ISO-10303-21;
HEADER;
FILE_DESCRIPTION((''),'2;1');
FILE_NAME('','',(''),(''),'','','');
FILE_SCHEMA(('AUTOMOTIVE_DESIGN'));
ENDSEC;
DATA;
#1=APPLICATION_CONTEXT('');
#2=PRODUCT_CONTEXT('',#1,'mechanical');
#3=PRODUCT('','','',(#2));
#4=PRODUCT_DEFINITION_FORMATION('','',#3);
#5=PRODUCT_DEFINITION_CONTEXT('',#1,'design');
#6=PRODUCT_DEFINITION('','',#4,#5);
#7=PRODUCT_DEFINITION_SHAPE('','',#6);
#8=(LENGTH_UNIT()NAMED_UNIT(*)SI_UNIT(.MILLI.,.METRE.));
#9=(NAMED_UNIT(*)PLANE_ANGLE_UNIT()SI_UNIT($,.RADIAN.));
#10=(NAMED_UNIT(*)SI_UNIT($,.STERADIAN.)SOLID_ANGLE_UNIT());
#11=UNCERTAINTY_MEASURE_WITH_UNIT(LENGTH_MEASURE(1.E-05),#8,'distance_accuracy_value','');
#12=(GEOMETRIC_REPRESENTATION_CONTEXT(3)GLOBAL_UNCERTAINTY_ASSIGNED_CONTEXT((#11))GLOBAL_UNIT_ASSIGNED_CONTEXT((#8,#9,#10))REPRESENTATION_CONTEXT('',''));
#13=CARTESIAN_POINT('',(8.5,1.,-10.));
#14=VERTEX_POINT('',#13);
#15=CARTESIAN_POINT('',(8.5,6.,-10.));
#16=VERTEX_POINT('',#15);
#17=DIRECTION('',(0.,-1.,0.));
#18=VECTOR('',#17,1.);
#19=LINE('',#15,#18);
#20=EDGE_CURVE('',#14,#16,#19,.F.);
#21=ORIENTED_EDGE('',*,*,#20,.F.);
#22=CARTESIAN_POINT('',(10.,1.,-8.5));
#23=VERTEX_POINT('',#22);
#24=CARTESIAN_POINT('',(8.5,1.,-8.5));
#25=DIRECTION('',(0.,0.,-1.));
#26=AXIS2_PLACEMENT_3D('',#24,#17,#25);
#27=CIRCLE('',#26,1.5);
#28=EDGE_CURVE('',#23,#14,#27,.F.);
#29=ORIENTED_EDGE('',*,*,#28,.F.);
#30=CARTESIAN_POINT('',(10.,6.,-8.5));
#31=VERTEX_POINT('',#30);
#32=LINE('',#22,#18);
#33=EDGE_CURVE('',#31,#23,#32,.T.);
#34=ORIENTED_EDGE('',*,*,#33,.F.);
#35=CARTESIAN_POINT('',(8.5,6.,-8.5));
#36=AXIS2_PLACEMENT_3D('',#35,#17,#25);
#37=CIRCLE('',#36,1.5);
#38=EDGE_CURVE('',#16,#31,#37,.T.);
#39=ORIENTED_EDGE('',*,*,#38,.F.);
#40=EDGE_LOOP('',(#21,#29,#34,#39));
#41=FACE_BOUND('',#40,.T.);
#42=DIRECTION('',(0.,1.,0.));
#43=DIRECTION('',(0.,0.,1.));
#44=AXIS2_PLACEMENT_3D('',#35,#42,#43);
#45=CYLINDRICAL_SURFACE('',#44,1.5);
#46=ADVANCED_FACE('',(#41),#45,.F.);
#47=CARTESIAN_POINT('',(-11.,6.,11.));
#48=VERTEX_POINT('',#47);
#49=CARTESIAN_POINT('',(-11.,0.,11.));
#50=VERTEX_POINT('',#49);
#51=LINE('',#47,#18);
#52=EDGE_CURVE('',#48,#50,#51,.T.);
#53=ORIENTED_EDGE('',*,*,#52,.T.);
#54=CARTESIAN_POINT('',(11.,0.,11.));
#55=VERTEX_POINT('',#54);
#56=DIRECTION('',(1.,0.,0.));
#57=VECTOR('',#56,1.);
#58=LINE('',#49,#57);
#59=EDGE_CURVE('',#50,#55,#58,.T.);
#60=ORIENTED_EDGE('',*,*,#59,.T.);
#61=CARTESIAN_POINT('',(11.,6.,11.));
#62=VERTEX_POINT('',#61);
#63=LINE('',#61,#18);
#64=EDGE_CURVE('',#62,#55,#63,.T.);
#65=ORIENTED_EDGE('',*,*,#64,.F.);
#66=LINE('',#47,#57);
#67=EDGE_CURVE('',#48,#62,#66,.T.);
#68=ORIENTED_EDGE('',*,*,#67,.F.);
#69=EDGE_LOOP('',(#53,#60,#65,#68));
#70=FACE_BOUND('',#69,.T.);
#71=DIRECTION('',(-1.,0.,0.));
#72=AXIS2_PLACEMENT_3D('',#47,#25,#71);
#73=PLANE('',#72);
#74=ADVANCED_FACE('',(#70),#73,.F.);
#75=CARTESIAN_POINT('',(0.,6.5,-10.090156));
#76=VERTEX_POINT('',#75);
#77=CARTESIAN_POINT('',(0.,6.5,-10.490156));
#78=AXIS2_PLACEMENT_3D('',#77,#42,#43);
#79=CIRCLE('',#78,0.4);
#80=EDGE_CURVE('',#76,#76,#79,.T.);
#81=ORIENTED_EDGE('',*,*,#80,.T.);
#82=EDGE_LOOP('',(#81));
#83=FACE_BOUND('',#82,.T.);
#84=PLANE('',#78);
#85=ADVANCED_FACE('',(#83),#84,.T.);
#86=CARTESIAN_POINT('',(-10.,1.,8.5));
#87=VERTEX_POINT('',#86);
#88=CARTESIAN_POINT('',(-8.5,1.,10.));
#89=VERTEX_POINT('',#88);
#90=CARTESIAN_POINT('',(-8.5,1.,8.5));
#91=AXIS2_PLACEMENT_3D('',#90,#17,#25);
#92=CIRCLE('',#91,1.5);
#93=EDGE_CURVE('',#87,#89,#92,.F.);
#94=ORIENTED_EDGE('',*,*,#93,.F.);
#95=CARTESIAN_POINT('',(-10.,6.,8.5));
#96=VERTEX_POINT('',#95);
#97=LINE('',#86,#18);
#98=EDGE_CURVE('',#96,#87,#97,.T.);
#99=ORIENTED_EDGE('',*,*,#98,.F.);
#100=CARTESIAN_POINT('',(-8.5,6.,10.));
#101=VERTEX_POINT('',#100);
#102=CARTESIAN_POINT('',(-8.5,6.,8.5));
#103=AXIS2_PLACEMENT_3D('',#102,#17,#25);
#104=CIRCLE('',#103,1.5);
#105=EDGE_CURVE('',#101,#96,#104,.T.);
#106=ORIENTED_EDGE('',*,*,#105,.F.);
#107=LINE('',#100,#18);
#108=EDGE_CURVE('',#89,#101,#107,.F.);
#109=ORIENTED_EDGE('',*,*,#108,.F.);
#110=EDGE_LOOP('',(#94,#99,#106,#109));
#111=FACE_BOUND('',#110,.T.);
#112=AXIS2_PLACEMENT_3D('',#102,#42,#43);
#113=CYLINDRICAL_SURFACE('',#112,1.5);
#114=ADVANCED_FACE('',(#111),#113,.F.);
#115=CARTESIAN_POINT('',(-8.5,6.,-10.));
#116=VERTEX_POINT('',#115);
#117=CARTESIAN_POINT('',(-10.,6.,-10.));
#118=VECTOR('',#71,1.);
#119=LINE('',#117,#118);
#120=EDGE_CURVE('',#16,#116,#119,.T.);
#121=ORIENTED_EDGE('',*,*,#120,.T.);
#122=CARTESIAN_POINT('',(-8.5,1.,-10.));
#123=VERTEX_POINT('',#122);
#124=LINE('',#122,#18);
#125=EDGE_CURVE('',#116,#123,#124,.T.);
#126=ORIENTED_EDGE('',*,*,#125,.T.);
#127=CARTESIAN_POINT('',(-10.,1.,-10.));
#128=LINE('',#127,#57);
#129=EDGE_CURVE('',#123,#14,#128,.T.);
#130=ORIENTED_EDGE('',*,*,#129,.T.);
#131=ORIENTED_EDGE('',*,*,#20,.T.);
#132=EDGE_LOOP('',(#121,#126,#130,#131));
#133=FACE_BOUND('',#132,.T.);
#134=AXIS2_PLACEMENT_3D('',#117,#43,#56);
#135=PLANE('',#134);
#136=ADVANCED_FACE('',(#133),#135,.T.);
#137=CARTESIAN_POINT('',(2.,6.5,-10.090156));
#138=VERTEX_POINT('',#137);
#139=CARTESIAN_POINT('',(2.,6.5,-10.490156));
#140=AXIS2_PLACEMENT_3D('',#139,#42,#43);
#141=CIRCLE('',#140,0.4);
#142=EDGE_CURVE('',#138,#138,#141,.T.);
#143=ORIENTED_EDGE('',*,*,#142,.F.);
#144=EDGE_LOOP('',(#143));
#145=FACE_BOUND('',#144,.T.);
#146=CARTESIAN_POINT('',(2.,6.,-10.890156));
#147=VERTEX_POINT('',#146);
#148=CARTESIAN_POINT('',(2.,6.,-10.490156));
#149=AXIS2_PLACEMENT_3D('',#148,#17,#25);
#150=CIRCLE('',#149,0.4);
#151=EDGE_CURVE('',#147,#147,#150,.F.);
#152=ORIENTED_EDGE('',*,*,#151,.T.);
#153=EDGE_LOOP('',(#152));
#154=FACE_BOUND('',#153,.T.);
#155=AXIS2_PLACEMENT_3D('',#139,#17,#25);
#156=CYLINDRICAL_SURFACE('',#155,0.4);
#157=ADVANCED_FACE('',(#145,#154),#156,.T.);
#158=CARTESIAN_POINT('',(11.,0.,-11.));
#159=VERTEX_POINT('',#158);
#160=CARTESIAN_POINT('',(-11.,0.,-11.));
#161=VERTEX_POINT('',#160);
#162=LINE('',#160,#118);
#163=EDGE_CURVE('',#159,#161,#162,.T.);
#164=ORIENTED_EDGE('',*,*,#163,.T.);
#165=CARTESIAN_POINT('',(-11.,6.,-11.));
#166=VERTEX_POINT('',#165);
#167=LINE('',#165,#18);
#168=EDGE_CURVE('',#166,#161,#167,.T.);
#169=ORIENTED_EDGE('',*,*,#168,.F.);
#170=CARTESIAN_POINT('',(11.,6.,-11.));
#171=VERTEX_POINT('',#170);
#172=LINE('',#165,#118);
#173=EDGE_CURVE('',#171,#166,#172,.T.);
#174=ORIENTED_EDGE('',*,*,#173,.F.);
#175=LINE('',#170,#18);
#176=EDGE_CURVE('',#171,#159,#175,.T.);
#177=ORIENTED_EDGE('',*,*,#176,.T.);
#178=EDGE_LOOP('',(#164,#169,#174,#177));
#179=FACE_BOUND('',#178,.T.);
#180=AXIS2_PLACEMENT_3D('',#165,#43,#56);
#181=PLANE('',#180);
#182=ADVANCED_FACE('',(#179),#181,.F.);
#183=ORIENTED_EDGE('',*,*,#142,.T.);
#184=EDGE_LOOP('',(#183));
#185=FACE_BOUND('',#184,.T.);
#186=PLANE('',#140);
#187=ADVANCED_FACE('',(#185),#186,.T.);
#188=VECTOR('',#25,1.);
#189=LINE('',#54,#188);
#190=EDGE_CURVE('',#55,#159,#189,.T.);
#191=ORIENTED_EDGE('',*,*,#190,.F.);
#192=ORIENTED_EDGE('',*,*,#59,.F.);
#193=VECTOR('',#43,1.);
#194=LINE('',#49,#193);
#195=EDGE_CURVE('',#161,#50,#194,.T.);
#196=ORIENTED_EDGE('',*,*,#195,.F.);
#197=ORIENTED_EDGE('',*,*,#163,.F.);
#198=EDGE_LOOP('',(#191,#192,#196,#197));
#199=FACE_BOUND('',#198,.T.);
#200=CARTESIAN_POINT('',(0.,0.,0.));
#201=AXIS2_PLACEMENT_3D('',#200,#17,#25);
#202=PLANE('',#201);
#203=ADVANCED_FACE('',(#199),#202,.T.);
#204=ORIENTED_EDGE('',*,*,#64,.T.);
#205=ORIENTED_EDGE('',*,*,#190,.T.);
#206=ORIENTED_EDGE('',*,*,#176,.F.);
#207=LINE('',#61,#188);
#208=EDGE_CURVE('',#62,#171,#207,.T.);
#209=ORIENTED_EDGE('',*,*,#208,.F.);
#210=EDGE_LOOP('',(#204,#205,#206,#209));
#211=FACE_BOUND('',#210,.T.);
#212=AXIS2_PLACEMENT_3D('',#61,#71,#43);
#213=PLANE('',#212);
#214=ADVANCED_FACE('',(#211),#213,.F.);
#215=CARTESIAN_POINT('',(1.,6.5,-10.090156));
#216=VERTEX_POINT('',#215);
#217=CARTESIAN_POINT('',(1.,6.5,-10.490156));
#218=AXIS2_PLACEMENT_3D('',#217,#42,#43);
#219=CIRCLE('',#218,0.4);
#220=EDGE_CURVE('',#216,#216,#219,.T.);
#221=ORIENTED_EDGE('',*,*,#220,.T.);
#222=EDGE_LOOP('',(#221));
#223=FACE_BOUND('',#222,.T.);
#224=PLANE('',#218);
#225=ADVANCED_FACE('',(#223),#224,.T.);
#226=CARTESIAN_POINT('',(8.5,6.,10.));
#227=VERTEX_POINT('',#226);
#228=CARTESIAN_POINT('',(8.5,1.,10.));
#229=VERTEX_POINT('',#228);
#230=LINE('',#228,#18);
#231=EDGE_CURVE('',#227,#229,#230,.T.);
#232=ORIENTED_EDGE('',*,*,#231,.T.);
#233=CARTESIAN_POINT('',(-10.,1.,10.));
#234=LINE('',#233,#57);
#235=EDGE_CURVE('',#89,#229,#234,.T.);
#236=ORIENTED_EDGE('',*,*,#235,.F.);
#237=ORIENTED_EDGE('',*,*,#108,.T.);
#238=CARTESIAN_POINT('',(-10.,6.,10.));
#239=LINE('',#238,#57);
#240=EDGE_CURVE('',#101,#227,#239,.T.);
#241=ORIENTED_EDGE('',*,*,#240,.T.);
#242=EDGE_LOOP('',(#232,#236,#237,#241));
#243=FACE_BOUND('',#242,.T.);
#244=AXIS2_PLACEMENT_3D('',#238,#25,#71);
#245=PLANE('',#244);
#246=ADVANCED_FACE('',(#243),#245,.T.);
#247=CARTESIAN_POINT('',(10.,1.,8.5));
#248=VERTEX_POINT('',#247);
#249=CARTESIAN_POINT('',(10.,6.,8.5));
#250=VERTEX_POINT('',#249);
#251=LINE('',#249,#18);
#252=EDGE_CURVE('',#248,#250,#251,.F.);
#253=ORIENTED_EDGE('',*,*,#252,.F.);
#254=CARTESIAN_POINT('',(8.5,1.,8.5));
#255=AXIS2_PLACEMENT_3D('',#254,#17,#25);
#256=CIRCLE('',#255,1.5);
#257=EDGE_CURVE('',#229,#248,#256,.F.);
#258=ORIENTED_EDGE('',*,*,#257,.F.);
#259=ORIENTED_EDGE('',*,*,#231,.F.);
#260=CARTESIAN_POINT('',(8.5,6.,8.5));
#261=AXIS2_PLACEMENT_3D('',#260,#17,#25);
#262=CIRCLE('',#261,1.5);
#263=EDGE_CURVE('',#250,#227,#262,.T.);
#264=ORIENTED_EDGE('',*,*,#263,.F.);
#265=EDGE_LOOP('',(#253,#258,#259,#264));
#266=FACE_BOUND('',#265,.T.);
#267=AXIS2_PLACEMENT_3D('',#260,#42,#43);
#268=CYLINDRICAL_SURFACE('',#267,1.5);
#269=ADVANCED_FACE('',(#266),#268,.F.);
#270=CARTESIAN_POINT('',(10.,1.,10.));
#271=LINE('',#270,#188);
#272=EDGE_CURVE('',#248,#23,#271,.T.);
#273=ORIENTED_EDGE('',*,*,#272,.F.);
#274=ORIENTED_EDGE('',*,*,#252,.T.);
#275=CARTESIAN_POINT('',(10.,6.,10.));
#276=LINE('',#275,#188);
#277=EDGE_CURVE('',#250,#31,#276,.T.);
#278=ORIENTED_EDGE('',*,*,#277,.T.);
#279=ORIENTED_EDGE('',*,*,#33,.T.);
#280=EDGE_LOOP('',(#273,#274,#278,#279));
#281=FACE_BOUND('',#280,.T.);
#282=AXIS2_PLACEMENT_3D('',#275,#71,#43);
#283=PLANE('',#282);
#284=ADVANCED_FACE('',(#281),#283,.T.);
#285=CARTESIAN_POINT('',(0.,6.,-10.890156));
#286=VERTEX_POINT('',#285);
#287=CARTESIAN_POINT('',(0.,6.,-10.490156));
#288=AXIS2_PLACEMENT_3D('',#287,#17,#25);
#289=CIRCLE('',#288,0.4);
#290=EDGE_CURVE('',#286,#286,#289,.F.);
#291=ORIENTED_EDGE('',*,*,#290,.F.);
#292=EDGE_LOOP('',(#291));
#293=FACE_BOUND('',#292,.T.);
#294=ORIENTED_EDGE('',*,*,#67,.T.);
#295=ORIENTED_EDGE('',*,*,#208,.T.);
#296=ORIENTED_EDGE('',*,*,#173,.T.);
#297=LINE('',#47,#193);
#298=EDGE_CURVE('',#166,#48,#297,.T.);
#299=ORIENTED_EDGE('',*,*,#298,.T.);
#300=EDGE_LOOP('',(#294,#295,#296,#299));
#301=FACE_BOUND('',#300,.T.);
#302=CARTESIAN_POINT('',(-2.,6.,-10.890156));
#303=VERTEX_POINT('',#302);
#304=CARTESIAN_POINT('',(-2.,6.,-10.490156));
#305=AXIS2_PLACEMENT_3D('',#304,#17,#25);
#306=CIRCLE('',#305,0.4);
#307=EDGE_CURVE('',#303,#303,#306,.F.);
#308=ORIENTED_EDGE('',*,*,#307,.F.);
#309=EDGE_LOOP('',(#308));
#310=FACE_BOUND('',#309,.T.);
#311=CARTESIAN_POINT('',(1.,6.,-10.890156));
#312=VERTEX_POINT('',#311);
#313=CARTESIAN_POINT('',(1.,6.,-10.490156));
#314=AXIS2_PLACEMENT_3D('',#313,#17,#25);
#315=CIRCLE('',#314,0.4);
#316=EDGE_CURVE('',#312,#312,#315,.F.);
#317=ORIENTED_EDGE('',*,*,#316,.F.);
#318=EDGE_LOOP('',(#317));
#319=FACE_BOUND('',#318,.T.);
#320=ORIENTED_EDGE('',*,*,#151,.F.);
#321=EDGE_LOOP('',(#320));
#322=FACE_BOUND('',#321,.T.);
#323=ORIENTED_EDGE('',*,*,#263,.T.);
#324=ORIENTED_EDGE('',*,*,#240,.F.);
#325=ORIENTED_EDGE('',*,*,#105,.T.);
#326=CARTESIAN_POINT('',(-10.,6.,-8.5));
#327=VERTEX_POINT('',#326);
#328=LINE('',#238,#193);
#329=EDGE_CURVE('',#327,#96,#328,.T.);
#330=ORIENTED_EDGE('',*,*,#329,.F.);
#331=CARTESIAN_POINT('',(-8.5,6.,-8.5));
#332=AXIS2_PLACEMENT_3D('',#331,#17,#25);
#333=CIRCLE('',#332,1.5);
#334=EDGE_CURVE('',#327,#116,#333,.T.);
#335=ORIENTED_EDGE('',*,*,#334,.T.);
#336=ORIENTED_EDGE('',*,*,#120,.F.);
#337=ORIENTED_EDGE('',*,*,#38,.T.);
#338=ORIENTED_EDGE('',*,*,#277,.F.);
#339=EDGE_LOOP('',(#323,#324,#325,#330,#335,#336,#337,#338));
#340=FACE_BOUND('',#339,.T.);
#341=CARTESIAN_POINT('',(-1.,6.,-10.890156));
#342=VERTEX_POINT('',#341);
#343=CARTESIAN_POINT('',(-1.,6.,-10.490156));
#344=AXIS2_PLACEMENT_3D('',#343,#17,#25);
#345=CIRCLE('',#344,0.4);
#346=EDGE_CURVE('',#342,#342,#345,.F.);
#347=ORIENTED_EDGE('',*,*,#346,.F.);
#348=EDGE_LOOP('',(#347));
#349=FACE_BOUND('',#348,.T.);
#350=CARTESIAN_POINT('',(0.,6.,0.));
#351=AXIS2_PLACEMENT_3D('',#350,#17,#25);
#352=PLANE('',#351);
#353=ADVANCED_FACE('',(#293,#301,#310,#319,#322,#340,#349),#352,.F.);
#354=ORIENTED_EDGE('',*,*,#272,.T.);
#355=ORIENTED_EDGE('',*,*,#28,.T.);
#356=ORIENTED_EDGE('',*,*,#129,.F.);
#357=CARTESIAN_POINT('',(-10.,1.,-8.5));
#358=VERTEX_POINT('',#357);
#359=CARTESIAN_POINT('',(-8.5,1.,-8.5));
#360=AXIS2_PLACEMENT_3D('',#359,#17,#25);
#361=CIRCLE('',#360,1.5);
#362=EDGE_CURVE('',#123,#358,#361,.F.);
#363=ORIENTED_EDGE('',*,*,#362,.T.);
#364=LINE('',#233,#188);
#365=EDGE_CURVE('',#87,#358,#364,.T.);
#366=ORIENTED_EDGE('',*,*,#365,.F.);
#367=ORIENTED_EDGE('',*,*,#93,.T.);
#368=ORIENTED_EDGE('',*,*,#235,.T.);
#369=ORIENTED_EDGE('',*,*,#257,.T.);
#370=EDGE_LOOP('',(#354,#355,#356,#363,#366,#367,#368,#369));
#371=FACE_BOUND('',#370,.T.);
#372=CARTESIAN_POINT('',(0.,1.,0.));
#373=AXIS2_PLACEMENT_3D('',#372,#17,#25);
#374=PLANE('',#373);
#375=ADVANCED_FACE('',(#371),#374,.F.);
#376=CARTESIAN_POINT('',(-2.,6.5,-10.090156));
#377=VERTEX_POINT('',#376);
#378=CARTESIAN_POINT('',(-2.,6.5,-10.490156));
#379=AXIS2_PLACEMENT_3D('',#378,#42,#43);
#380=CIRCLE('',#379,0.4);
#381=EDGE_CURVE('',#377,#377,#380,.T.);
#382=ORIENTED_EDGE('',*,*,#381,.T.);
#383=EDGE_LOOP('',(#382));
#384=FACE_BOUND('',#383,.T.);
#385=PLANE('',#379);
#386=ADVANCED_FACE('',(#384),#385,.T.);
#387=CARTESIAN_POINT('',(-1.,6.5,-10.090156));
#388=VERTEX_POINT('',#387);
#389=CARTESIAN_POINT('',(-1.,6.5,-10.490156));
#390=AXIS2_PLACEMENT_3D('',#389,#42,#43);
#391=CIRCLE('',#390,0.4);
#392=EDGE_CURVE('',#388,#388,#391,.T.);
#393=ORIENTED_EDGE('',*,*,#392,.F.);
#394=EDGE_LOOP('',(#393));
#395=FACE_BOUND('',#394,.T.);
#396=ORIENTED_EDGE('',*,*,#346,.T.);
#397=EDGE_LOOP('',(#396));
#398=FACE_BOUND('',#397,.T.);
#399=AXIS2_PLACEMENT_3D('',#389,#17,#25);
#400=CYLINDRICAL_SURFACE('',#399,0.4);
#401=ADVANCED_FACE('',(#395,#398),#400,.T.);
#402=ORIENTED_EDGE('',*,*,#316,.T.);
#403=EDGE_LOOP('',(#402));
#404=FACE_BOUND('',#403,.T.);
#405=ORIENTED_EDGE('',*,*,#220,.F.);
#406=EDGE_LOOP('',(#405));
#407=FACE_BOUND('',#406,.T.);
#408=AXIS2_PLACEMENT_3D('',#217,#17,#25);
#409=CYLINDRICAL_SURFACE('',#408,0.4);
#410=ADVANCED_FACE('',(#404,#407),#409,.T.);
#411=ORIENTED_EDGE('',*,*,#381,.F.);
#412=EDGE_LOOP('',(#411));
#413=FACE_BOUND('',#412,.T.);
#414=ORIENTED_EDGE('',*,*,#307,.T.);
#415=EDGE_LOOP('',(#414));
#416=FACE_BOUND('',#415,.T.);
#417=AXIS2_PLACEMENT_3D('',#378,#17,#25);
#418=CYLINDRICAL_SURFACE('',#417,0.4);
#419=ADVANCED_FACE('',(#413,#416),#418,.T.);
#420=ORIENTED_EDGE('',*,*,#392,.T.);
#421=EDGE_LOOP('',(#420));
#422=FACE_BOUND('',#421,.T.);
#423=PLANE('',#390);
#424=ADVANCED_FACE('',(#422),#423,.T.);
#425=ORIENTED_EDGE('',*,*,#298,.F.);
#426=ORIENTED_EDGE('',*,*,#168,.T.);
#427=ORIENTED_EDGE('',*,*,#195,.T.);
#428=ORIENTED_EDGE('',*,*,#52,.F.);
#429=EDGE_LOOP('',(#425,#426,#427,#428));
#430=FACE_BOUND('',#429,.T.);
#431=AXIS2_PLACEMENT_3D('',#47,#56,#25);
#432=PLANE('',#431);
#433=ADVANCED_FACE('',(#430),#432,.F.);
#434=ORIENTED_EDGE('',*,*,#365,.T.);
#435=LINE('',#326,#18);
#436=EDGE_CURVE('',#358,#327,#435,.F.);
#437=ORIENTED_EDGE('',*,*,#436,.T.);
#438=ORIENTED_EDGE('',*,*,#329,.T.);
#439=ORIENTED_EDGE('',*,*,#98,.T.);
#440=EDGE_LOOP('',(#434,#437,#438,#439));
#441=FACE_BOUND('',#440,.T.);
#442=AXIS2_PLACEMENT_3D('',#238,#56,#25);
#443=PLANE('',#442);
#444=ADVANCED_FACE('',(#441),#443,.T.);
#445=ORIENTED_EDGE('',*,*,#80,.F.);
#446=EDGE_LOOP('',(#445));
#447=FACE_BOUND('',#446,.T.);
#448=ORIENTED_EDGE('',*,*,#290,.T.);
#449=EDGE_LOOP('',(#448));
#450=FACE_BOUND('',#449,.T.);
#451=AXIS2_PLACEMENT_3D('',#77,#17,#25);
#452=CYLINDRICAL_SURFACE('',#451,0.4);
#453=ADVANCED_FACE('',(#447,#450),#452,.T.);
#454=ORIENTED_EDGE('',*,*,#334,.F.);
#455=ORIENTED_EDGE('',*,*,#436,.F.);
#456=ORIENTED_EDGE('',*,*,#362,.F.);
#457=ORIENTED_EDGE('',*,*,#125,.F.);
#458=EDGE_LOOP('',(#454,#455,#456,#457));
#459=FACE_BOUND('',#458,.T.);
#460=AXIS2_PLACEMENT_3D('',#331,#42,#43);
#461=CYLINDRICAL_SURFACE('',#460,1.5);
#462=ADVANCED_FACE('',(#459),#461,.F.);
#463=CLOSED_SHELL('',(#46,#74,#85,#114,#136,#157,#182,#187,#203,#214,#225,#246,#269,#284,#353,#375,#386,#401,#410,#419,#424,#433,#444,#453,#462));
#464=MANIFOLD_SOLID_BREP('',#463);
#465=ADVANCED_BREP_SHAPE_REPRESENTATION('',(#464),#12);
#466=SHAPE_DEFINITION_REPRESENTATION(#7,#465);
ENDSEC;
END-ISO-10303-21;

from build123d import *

# Parameters (mm, degrees)
SKETCH1_W           = 20
SKETCH1_H           = 20
BOSS_EXTRUDE2_DEPTH = 1
SKETCH1_6_W         = 22
SKETCH1_6_H         = 22
SKETCH1_6_W_2       = 20
SKETCH1_6_H_2       = 20
BOSS_EXTRUDE3_DEPTH = 6
SKETCH2_R           = 0.4
BOSS_EXTRUDE4_DEPTH = 0.5
FILLET1_R           = 1.5


with BuildPart() as part:
    # Sketch1 → Boss-Extrude2 (new body)
    with BuildSketch(Plane(origin=(0, 0, 0), x_dir=(1, 0, 0), z_dir=(0, 1, 0))):
        Rectangle(SKETCH1_W, SKETCH1_H)
    extrude(amount=BOSS_EXTRUDE2_DEPTH)

    # Sketch1<6> → Boss-Extrude3 (add)
    with BuildSketch(Plane(origin=(0, 0, 0), x_dir=(1, 0, 0), z_dir=(0, 1, 0))):
        Rectangle(SKETCH1_6_W, SKETCH1_6_H)
        Rectangle(SKETCH1_6_W_2, SKETCH1_6_H_2, mode=Mode.SUBTRACT)
    extrude(amount=BOSS_EXTRUDE3_DEPTH)

    # Sketch2 → Boss-Extrude4 (add)
    with BuildSketch(Plane(origin=(0, 6, 0), x_dir=(1, 0, 0), z_dir=(0, 1, 0))):
        with Locations((0, 10.490155688)):
            Circle(SKETCH2_R)
        with Locations((1, 10.490155688)):
            Circle(SKETCH2_R)
        with Locations((-1, 10.490155688)):
            Circle(SKETCH2_R)
        with Locations((-2, 10.490155688)):
            Circle(SKETCH2_R)
        with Locations((2, 10.490155688)):
            Circle(SKETCH2_R)
    extrude(amount=BOSS_EXTRUDE4_DEPTH)

    # Fillet1
    fillet1_edges = [part.edges().sort_by_distance(p)[0] for p in [
        (10, 3.5, -10),
        (-10, 3.5, -10),
        (-10, 3.5, 10),
        (10, 3.5, 10),
    ]]
    fillet(fillet1_edges, radius=FILLET1_R)


solid = part.part
